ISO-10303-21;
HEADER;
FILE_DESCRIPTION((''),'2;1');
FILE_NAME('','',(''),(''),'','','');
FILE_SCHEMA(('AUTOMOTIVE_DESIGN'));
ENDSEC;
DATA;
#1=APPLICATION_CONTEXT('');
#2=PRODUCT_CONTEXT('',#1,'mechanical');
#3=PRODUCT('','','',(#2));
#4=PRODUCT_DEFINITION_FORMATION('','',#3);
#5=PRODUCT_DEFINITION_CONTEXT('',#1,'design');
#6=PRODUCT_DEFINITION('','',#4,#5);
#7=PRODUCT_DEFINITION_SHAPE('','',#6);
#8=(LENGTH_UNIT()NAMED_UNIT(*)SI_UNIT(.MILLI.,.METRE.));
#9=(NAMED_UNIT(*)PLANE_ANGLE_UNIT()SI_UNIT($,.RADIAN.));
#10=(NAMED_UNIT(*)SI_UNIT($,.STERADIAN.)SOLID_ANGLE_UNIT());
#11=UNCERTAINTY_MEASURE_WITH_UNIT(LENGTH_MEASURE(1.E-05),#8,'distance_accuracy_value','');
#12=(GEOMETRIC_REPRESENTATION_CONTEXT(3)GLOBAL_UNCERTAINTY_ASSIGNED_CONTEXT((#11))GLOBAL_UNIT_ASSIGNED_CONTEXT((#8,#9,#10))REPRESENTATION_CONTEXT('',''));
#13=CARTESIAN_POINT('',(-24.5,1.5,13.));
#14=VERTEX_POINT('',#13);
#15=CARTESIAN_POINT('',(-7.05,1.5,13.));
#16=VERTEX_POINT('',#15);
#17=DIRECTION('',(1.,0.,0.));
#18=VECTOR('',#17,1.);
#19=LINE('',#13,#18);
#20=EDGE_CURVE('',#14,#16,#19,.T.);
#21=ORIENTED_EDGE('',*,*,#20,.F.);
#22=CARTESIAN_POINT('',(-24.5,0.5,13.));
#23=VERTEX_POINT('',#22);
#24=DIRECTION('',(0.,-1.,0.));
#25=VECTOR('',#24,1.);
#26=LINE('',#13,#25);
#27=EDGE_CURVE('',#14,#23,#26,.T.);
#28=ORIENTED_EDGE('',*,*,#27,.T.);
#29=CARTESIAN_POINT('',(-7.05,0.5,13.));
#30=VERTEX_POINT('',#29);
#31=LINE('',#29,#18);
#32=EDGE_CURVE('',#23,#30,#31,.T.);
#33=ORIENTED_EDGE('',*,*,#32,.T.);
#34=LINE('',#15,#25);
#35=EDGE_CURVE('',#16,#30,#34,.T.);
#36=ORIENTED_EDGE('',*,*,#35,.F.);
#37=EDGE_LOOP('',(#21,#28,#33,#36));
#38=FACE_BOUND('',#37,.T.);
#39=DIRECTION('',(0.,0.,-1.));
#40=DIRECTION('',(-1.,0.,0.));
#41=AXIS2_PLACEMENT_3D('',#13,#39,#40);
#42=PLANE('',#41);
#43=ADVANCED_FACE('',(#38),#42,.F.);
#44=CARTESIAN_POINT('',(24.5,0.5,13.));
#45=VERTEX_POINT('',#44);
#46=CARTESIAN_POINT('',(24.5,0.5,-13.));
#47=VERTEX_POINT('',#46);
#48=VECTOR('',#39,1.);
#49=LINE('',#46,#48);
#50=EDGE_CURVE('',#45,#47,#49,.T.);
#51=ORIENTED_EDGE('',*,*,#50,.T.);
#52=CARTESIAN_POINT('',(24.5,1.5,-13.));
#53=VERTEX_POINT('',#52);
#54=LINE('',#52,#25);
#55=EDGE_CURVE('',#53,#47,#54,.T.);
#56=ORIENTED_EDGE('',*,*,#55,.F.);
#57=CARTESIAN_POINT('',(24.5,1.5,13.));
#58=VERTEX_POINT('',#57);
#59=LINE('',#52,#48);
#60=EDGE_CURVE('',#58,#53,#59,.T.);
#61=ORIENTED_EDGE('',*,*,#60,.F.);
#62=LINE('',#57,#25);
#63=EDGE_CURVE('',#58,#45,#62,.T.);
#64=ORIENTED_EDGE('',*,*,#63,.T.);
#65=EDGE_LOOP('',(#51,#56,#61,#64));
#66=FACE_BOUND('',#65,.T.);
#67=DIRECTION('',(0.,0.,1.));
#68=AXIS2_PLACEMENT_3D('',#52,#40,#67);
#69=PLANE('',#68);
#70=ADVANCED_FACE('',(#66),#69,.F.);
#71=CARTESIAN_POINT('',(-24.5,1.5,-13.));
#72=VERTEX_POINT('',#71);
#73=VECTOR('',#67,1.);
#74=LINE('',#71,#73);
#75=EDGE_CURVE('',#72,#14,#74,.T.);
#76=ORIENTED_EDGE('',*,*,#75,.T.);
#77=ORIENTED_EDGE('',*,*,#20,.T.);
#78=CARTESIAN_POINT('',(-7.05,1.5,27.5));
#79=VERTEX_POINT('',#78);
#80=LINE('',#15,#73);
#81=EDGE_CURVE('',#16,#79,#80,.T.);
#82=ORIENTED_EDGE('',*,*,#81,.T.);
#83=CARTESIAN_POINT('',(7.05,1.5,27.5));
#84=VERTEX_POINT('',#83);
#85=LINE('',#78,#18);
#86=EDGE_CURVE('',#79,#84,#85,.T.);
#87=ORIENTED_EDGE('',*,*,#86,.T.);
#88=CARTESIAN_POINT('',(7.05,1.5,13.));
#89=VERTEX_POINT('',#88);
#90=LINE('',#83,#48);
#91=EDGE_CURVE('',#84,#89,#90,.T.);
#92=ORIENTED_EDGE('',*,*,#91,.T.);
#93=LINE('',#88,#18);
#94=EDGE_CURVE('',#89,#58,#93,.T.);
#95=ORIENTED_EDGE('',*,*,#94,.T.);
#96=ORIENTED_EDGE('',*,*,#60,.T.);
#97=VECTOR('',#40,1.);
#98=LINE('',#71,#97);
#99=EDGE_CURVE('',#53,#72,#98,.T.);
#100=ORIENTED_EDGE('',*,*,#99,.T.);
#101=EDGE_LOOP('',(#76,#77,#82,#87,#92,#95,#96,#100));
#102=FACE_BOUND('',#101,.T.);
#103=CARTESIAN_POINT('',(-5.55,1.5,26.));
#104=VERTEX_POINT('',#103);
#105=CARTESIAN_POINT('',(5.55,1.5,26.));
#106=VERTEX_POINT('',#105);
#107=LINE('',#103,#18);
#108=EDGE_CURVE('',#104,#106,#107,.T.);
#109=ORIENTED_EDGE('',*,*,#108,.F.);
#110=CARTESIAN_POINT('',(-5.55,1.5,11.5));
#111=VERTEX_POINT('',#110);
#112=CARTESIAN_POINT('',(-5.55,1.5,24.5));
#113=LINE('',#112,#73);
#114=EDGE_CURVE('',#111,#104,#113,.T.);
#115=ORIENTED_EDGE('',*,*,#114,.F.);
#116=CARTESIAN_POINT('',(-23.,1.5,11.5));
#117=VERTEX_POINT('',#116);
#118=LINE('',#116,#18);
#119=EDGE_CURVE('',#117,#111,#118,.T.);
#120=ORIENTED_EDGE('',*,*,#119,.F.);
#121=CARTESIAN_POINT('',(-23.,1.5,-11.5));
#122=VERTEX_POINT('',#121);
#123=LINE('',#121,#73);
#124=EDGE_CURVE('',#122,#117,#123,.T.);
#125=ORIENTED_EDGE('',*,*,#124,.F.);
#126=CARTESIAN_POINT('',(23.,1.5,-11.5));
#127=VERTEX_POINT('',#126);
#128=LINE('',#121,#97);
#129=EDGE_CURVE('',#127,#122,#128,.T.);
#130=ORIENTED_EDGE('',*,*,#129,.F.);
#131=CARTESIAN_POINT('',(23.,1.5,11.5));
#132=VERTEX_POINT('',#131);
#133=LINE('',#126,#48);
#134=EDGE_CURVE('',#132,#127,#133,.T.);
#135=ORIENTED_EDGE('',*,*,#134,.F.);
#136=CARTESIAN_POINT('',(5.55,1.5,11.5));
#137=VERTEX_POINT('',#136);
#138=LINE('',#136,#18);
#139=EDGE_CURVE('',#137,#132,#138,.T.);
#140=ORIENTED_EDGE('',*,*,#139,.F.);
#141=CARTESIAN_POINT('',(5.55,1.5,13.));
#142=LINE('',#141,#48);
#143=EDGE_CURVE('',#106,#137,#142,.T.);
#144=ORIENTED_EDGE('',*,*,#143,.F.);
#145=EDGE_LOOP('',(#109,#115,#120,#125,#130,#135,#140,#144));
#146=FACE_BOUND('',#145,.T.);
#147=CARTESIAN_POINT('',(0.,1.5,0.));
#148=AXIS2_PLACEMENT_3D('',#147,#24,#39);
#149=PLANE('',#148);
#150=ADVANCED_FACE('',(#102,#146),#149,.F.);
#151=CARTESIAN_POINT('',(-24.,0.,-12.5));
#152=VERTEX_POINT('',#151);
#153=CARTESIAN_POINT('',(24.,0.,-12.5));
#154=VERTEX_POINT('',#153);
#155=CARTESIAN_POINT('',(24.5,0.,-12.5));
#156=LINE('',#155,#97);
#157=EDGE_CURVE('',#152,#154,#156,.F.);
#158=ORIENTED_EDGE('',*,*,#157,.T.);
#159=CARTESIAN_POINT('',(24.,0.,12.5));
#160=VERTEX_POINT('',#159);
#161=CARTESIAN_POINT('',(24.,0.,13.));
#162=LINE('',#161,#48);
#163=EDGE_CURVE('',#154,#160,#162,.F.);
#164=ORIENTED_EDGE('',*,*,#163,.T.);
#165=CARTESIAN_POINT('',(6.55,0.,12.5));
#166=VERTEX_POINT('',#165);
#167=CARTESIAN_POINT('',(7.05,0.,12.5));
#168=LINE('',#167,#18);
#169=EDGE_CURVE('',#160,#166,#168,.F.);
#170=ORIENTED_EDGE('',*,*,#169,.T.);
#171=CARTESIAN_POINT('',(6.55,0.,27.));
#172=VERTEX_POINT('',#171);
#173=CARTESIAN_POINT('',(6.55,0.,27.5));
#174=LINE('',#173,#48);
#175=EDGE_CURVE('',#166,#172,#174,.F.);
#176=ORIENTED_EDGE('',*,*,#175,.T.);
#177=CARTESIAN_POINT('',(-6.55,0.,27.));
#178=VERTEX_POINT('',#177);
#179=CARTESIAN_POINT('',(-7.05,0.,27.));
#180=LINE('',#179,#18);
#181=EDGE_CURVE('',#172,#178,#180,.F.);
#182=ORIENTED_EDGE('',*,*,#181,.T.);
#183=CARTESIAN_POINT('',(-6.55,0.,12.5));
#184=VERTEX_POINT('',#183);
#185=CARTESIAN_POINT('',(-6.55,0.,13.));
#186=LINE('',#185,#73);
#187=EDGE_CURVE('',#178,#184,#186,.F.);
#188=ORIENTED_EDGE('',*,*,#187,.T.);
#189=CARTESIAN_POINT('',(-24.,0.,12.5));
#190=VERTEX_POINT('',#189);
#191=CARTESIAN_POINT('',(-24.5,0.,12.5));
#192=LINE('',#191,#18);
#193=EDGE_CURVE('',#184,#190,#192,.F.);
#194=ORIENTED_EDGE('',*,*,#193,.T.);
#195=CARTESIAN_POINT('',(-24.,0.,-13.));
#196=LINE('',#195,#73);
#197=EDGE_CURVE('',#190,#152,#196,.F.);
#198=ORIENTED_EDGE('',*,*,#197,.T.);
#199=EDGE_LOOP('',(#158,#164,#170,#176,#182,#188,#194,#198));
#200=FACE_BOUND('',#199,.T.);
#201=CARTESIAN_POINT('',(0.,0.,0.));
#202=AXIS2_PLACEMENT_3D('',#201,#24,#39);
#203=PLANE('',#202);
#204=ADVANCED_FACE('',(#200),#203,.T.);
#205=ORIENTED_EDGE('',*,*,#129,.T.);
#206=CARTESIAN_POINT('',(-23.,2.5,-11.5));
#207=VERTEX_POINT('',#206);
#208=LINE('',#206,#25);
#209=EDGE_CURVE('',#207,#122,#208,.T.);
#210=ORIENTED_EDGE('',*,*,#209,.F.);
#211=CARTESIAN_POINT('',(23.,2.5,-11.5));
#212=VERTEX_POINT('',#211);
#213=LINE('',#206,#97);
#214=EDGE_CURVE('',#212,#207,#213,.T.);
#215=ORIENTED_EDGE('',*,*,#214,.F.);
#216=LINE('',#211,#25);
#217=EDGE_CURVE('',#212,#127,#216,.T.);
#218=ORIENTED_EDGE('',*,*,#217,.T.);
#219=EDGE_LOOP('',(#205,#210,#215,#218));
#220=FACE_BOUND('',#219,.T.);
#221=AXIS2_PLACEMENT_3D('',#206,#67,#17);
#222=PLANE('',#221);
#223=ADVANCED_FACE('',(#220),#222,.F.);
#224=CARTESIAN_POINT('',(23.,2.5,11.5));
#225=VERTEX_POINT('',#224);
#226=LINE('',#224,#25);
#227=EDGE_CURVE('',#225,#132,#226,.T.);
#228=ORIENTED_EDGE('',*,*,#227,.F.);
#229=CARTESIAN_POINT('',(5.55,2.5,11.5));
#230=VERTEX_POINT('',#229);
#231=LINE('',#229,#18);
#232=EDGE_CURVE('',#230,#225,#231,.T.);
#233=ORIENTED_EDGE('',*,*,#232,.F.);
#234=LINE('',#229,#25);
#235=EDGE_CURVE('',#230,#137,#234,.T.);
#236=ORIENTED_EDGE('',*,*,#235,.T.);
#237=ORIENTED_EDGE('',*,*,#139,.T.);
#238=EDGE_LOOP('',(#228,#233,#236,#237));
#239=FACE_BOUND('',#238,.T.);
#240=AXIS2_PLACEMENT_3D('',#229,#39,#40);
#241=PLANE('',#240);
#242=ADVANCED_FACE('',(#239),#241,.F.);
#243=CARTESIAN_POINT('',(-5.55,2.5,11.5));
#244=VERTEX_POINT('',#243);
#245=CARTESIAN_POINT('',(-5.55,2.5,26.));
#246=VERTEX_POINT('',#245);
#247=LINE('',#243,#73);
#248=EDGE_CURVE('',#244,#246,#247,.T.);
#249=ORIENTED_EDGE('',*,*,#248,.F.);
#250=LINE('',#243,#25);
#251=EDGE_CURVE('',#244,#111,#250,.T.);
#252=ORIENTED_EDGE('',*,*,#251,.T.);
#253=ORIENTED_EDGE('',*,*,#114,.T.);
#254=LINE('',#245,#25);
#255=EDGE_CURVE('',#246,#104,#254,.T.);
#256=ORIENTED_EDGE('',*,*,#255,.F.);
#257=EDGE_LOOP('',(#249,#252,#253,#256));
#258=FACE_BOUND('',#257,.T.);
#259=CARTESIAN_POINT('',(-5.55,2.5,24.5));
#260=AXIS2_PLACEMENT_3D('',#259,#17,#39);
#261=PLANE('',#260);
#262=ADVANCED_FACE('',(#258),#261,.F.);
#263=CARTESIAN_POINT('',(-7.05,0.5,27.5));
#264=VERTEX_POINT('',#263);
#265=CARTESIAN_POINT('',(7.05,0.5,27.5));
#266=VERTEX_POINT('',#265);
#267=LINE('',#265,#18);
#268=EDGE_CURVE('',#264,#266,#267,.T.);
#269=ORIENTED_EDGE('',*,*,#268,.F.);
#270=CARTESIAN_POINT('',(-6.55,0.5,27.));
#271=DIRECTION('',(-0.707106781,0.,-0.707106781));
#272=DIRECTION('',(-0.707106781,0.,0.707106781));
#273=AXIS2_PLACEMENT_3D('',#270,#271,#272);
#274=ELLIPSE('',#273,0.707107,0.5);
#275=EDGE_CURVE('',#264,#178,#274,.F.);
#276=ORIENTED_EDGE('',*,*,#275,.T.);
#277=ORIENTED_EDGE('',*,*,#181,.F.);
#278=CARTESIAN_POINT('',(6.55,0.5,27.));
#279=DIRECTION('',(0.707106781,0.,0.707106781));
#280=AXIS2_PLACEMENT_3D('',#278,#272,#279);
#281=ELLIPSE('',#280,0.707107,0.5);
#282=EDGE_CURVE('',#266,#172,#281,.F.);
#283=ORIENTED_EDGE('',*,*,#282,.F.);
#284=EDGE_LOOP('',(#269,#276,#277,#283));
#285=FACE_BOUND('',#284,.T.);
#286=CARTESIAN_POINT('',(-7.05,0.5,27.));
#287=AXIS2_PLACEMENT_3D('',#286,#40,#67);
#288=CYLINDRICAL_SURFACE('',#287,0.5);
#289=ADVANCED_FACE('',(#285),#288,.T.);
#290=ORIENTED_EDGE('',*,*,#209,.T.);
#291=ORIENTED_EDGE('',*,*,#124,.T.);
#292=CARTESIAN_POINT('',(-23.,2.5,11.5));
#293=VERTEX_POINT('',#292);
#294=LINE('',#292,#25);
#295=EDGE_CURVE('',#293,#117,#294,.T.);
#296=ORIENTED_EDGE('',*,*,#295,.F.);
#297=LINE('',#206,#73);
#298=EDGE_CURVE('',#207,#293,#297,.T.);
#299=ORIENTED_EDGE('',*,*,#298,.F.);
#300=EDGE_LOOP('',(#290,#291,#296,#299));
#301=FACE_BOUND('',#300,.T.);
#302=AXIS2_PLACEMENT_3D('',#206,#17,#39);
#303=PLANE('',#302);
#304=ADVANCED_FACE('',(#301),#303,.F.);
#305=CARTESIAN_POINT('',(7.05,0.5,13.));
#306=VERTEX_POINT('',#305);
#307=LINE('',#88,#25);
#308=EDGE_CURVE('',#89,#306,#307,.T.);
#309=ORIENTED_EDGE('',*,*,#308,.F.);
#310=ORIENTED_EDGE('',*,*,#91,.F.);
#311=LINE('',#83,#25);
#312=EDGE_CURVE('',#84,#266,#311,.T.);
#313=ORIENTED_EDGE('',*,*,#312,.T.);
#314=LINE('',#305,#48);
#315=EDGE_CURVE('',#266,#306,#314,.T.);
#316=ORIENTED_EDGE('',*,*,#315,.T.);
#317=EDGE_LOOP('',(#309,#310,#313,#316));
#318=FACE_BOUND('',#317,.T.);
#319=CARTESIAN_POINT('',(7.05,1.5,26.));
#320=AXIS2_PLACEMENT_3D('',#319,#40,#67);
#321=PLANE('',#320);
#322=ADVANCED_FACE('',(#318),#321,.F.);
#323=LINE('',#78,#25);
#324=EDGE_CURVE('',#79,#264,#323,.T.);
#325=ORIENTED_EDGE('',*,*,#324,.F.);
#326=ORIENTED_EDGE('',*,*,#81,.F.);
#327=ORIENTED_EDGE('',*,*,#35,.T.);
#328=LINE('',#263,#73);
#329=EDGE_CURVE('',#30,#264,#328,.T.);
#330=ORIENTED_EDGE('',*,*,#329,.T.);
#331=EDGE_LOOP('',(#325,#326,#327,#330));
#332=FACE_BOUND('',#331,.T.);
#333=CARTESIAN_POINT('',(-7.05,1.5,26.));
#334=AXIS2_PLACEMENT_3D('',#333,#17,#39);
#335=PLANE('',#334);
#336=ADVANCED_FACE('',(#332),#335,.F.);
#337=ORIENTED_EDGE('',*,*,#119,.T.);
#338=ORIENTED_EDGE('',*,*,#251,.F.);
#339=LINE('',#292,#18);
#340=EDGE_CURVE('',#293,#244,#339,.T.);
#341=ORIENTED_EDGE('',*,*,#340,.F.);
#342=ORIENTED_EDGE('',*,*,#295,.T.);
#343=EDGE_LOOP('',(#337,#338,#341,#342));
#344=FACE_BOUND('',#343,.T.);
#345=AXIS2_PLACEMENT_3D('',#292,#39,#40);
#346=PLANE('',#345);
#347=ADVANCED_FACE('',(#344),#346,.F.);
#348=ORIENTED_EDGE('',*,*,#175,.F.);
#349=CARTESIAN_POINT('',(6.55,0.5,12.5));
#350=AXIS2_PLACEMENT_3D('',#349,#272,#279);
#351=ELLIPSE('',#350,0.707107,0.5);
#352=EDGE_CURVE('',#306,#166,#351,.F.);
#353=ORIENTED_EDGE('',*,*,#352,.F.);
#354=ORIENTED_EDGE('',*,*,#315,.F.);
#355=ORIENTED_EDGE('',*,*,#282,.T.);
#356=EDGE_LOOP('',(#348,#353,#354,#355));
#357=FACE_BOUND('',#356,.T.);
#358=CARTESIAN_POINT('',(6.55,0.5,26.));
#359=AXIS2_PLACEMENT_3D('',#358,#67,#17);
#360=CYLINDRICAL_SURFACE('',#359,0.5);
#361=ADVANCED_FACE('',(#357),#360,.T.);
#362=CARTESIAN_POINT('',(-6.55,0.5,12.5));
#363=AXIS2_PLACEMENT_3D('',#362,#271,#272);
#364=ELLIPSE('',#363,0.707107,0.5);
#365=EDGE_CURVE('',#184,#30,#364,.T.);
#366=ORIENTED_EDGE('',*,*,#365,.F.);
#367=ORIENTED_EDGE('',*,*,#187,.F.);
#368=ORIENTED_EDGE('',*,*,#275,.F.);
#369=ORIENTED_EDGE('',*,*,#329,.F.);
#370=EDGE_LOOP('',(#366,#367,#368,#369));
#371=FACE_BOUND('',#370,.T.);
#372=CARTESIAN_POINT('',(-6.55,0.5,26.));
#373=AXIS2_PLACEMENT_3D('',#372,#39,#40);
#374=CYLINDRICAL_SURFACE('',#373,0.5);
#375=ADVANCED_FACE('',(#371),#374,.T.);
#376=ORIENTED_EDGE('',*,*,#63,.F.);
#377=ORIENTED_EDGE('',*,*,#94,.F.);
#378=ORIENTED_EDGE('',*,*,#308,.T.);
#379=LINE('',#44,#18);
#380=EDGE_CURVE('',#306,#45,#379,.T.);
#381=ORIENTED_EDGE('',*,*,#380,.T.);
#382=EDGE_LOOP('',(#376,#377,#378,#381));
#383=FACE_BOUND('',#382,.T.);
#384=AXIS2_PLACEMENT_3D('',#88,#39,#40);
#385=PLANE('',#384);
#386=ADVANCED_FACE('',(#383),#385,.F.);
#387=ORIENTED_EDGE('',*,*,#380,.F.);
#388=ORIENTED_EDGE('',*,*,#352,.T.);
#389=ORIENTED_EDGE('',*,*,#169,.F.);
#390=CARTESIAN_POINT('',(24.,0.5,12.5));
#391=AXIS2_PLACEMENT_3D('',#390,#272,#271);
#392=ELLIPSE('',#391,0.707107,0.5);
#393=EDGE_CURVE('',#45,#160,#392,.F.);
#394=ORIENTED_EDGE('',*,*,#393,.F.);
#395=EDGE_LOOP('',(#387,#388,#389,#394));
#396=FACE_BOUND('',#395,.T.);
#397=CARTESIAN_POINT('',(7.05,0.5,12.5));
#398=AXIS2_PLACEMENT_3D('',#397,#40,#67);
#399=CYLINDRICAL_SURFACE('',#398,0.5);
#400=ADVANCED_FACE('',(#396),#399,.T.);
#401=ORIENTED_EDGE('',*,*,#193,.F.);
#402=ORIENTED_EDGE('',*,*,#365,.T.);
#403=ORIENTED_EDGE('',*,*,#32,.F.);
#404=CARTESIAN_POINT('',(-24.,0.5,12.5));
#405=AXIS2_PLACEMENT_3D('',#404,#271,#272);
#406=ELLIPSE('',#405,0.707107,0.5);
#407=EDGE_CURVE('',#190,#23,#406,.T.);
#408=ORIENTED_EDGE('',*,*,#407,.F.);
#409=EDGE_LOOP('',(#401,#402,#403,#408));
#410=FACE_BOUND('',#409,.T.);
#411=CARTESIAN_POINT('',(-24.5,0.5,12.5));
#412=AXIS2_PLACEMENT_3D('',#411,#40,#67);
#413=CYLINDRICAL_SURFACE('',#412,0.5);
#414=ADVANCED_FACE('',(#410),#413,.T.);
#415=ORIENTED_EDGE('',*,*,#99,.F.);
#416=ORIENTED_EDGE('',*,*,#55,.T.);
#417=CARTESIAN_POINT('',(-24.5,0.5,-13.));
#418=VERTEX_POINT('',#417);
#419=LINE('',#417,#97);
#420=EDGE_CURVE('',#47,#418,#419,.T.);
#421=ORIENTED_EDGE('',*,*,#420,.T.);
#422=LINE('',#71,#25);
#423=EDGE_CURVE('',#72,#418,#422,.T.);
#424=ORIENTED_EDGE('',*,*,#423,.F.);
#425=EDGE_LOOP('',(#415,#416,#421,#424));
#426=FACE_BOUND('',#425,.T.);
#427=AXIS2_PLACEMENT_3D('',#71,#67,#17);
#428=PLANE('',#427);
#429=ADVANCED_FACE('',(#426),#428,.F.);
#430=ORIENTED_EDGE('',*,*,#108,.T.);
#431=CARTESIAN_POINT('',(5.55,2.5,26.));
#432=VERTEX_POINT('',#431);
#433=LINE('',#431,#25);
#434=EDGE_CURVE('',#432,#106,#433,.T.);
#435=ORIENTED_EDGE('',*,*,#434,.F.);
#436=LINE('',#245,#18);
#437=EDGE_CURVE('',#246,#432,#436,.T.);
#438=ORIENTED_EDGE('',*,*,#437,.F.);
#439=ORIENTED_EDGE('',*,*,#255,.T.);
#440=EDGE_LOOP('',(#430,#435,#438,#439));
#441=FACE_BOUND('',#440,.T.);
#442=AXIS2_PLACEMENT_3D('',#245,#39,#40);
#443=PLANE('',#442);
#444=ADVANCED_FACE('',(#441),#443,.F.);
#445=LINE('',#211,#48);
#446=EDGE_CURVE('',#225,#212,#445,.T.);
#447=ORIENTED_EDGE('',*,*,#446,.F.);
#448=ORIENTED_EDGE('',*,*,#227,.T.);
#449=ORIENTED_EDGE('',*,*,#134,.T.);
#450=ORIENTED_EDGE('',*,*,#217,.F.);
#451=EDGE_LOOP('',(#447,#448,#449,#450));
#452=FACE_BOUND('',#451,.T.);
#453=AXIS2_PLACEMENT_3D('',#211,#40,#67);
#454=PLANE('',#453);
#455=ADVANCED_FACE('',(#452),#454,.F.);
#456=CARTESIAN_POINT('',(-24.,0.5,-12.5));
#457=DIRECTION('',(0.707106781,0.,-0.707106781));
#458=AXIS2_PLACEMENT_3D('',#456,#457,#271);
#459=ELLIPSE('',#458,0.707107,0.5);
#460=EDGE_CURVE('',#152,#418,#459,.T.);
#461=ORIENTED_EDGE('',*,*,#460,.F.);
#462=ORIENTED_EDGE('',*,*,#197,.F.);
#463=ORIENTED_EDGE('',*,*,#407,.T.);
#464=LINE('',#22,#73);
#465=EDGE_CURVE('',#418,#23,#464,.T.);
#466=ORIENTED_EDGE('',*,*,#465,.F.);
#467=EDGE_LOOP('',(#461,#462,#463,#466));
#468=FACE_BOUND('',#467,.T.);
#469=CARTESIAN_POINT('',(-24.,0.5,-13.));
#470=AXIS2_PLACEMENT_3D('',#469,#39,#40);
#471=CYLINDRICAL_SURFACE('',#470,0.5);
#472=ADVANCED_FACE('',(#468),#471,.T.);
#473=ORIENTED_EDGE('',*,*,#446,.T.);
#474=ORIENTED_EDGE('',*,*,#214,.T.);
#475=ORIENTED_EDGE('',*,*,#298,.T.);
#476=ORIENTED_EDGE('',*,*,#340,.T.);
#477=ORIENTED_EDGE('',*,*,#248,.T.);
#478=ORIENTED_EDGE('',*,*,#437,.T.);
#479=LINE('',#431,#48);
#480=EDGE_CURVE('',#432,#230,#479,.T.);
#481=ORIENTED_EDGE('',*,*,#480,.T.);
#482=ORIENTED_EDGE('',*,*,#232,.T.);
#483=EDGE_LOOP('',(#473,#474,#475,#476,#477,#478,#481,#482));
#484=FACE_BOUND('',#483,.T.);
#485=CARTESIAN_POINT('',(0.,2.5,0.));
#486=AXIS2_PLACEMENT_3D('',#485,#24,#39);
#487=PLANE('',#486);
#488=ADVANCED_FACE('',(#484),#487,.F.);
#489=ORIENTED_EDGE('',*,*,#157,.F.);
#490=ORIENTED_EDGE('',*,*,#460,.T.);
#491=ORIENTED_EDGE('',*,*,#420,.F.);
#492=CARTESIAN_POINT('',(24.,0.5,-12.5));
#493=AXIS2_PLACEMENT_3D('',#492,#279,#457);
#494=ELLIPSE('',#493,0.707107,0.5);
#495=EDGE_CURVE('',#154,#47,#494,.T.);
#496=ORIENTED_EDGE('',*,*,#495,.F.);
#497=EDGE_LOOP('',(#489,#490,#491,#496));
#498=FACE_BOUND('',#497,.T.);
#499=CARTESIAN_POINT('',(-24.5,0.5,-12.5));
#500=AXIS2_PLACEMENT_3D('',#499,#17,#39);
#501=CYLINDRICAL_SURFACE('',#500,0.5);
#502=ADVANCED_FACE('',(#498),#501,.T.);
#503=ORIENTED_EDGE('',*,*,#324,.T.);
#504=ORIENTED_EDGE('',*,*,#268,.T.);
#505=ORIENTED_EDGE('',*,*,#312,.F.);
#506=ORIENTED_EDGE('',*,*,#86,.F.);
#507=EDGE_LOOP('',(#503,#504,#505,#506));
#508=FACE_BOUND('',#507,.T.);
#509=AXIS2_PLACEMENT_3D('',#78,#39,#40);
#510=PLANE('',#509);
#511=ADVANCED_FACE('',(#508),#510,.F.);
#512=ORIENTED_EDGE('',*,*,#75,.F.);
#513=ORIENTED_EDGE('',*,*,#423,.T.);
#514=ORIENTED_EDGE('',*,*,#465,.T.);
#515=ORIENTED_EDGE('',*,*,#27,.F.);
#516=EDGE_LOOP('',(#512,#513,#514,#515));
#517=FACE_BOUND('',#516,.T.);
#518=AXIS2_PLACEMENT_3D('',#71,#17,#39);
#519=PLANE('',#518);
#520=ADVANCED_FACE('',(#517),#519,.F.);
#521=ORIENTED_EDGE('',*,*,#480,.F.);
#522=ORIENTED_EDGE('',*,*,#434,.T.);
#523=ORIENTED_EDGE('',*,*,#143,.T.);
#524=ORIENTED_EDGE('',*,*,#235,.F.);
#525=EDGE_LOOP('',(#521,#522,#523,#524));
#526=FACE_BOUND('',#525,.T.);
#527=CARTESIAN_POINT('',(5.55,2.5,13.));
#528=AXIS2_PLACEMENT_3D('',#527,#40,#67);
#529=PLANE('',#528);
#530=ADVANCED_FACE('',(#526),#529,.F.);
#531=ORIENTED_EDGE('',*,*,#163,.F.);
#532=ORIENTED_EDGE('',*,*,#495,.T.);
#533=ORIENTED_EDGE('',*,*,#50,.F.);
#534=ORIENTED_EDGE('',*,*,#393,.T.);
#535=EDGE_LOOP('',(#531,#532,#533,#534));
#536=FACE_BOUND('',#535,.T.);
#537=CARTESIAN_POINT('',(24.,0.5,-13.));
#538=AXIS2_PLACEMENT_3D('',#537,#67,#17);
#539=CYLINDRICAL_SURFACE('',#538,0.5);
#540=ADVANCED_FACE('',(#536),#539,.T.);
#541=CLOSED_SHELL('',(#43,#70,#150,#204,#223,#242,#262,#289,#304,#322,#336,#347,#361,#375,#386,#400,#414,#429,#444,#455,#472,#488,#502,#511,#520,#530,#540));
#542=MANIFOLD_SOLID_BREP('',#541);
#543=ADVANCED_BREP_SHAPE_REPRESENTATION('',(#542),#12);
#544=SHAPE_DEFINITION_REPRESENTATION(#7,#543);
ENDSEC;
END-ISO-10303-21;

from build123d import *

# Parameters (mm, degrees)
EXTRUDE_1_DEPTH = 1.5
EXTRUDE_2_DEPTH = 1
FILLET_1_R      = 0.5


with BuildPart() as part:
    # 草图1 → 凸台-拉伸1 (new body)
    with BuildSketch(Plane(origin=(0, 0, 0), x_dir=(1, 0, 0), z_dir=(0, 1, 0))):
        Polygon((-24.5, 13), (24.5, 13), (24.5, -13), (7.05, -13), (7.05, -26), (7.05, -27.5), (-7.05, -27.5), (-7.05, -26), (-7.05, -13), (-24.5, -13), align=None)
    extrude(amount=EXTRUDE_1_DEPTH)

    # 草图2 → 凸台-拉伸2 (add)
    with BuildSketch(Plane(origin=(0, 1.5, 0), x_dir=(1, 0, 0), z_dir=(0, 1, 0))):
        Polygon((23, 11.5), (23, -11.5), (5.55, -11.5), (5.55, -13), (5.55, -24.5), (5.55, -26), (-5.55, -26), (-5.55, -24.5), (-5.55, -13), (-5.55, -11.5), (-23, -11.5), (-23, 11.5), align=None)
    extrude(amount=EXTRUDE_2_DEPTH)

    # 圆角1
    fillet_1_edges = [part.edges().sort_by_distance(p)[0] for p in [
        (7.05, 0, 20.25),
        (0, 0, 27.5),
        (-7.05, 0, 20.25),
        (-15.775, 0, 13),
        (-24.5, 0, 0),
        (0, 0, -13),
        (24.5, 0, 0),
        (15.775, 0, 13),
    ]]
    fillet(fillet_1_edges, radius=FILLET_1_R)


solid = part.part
